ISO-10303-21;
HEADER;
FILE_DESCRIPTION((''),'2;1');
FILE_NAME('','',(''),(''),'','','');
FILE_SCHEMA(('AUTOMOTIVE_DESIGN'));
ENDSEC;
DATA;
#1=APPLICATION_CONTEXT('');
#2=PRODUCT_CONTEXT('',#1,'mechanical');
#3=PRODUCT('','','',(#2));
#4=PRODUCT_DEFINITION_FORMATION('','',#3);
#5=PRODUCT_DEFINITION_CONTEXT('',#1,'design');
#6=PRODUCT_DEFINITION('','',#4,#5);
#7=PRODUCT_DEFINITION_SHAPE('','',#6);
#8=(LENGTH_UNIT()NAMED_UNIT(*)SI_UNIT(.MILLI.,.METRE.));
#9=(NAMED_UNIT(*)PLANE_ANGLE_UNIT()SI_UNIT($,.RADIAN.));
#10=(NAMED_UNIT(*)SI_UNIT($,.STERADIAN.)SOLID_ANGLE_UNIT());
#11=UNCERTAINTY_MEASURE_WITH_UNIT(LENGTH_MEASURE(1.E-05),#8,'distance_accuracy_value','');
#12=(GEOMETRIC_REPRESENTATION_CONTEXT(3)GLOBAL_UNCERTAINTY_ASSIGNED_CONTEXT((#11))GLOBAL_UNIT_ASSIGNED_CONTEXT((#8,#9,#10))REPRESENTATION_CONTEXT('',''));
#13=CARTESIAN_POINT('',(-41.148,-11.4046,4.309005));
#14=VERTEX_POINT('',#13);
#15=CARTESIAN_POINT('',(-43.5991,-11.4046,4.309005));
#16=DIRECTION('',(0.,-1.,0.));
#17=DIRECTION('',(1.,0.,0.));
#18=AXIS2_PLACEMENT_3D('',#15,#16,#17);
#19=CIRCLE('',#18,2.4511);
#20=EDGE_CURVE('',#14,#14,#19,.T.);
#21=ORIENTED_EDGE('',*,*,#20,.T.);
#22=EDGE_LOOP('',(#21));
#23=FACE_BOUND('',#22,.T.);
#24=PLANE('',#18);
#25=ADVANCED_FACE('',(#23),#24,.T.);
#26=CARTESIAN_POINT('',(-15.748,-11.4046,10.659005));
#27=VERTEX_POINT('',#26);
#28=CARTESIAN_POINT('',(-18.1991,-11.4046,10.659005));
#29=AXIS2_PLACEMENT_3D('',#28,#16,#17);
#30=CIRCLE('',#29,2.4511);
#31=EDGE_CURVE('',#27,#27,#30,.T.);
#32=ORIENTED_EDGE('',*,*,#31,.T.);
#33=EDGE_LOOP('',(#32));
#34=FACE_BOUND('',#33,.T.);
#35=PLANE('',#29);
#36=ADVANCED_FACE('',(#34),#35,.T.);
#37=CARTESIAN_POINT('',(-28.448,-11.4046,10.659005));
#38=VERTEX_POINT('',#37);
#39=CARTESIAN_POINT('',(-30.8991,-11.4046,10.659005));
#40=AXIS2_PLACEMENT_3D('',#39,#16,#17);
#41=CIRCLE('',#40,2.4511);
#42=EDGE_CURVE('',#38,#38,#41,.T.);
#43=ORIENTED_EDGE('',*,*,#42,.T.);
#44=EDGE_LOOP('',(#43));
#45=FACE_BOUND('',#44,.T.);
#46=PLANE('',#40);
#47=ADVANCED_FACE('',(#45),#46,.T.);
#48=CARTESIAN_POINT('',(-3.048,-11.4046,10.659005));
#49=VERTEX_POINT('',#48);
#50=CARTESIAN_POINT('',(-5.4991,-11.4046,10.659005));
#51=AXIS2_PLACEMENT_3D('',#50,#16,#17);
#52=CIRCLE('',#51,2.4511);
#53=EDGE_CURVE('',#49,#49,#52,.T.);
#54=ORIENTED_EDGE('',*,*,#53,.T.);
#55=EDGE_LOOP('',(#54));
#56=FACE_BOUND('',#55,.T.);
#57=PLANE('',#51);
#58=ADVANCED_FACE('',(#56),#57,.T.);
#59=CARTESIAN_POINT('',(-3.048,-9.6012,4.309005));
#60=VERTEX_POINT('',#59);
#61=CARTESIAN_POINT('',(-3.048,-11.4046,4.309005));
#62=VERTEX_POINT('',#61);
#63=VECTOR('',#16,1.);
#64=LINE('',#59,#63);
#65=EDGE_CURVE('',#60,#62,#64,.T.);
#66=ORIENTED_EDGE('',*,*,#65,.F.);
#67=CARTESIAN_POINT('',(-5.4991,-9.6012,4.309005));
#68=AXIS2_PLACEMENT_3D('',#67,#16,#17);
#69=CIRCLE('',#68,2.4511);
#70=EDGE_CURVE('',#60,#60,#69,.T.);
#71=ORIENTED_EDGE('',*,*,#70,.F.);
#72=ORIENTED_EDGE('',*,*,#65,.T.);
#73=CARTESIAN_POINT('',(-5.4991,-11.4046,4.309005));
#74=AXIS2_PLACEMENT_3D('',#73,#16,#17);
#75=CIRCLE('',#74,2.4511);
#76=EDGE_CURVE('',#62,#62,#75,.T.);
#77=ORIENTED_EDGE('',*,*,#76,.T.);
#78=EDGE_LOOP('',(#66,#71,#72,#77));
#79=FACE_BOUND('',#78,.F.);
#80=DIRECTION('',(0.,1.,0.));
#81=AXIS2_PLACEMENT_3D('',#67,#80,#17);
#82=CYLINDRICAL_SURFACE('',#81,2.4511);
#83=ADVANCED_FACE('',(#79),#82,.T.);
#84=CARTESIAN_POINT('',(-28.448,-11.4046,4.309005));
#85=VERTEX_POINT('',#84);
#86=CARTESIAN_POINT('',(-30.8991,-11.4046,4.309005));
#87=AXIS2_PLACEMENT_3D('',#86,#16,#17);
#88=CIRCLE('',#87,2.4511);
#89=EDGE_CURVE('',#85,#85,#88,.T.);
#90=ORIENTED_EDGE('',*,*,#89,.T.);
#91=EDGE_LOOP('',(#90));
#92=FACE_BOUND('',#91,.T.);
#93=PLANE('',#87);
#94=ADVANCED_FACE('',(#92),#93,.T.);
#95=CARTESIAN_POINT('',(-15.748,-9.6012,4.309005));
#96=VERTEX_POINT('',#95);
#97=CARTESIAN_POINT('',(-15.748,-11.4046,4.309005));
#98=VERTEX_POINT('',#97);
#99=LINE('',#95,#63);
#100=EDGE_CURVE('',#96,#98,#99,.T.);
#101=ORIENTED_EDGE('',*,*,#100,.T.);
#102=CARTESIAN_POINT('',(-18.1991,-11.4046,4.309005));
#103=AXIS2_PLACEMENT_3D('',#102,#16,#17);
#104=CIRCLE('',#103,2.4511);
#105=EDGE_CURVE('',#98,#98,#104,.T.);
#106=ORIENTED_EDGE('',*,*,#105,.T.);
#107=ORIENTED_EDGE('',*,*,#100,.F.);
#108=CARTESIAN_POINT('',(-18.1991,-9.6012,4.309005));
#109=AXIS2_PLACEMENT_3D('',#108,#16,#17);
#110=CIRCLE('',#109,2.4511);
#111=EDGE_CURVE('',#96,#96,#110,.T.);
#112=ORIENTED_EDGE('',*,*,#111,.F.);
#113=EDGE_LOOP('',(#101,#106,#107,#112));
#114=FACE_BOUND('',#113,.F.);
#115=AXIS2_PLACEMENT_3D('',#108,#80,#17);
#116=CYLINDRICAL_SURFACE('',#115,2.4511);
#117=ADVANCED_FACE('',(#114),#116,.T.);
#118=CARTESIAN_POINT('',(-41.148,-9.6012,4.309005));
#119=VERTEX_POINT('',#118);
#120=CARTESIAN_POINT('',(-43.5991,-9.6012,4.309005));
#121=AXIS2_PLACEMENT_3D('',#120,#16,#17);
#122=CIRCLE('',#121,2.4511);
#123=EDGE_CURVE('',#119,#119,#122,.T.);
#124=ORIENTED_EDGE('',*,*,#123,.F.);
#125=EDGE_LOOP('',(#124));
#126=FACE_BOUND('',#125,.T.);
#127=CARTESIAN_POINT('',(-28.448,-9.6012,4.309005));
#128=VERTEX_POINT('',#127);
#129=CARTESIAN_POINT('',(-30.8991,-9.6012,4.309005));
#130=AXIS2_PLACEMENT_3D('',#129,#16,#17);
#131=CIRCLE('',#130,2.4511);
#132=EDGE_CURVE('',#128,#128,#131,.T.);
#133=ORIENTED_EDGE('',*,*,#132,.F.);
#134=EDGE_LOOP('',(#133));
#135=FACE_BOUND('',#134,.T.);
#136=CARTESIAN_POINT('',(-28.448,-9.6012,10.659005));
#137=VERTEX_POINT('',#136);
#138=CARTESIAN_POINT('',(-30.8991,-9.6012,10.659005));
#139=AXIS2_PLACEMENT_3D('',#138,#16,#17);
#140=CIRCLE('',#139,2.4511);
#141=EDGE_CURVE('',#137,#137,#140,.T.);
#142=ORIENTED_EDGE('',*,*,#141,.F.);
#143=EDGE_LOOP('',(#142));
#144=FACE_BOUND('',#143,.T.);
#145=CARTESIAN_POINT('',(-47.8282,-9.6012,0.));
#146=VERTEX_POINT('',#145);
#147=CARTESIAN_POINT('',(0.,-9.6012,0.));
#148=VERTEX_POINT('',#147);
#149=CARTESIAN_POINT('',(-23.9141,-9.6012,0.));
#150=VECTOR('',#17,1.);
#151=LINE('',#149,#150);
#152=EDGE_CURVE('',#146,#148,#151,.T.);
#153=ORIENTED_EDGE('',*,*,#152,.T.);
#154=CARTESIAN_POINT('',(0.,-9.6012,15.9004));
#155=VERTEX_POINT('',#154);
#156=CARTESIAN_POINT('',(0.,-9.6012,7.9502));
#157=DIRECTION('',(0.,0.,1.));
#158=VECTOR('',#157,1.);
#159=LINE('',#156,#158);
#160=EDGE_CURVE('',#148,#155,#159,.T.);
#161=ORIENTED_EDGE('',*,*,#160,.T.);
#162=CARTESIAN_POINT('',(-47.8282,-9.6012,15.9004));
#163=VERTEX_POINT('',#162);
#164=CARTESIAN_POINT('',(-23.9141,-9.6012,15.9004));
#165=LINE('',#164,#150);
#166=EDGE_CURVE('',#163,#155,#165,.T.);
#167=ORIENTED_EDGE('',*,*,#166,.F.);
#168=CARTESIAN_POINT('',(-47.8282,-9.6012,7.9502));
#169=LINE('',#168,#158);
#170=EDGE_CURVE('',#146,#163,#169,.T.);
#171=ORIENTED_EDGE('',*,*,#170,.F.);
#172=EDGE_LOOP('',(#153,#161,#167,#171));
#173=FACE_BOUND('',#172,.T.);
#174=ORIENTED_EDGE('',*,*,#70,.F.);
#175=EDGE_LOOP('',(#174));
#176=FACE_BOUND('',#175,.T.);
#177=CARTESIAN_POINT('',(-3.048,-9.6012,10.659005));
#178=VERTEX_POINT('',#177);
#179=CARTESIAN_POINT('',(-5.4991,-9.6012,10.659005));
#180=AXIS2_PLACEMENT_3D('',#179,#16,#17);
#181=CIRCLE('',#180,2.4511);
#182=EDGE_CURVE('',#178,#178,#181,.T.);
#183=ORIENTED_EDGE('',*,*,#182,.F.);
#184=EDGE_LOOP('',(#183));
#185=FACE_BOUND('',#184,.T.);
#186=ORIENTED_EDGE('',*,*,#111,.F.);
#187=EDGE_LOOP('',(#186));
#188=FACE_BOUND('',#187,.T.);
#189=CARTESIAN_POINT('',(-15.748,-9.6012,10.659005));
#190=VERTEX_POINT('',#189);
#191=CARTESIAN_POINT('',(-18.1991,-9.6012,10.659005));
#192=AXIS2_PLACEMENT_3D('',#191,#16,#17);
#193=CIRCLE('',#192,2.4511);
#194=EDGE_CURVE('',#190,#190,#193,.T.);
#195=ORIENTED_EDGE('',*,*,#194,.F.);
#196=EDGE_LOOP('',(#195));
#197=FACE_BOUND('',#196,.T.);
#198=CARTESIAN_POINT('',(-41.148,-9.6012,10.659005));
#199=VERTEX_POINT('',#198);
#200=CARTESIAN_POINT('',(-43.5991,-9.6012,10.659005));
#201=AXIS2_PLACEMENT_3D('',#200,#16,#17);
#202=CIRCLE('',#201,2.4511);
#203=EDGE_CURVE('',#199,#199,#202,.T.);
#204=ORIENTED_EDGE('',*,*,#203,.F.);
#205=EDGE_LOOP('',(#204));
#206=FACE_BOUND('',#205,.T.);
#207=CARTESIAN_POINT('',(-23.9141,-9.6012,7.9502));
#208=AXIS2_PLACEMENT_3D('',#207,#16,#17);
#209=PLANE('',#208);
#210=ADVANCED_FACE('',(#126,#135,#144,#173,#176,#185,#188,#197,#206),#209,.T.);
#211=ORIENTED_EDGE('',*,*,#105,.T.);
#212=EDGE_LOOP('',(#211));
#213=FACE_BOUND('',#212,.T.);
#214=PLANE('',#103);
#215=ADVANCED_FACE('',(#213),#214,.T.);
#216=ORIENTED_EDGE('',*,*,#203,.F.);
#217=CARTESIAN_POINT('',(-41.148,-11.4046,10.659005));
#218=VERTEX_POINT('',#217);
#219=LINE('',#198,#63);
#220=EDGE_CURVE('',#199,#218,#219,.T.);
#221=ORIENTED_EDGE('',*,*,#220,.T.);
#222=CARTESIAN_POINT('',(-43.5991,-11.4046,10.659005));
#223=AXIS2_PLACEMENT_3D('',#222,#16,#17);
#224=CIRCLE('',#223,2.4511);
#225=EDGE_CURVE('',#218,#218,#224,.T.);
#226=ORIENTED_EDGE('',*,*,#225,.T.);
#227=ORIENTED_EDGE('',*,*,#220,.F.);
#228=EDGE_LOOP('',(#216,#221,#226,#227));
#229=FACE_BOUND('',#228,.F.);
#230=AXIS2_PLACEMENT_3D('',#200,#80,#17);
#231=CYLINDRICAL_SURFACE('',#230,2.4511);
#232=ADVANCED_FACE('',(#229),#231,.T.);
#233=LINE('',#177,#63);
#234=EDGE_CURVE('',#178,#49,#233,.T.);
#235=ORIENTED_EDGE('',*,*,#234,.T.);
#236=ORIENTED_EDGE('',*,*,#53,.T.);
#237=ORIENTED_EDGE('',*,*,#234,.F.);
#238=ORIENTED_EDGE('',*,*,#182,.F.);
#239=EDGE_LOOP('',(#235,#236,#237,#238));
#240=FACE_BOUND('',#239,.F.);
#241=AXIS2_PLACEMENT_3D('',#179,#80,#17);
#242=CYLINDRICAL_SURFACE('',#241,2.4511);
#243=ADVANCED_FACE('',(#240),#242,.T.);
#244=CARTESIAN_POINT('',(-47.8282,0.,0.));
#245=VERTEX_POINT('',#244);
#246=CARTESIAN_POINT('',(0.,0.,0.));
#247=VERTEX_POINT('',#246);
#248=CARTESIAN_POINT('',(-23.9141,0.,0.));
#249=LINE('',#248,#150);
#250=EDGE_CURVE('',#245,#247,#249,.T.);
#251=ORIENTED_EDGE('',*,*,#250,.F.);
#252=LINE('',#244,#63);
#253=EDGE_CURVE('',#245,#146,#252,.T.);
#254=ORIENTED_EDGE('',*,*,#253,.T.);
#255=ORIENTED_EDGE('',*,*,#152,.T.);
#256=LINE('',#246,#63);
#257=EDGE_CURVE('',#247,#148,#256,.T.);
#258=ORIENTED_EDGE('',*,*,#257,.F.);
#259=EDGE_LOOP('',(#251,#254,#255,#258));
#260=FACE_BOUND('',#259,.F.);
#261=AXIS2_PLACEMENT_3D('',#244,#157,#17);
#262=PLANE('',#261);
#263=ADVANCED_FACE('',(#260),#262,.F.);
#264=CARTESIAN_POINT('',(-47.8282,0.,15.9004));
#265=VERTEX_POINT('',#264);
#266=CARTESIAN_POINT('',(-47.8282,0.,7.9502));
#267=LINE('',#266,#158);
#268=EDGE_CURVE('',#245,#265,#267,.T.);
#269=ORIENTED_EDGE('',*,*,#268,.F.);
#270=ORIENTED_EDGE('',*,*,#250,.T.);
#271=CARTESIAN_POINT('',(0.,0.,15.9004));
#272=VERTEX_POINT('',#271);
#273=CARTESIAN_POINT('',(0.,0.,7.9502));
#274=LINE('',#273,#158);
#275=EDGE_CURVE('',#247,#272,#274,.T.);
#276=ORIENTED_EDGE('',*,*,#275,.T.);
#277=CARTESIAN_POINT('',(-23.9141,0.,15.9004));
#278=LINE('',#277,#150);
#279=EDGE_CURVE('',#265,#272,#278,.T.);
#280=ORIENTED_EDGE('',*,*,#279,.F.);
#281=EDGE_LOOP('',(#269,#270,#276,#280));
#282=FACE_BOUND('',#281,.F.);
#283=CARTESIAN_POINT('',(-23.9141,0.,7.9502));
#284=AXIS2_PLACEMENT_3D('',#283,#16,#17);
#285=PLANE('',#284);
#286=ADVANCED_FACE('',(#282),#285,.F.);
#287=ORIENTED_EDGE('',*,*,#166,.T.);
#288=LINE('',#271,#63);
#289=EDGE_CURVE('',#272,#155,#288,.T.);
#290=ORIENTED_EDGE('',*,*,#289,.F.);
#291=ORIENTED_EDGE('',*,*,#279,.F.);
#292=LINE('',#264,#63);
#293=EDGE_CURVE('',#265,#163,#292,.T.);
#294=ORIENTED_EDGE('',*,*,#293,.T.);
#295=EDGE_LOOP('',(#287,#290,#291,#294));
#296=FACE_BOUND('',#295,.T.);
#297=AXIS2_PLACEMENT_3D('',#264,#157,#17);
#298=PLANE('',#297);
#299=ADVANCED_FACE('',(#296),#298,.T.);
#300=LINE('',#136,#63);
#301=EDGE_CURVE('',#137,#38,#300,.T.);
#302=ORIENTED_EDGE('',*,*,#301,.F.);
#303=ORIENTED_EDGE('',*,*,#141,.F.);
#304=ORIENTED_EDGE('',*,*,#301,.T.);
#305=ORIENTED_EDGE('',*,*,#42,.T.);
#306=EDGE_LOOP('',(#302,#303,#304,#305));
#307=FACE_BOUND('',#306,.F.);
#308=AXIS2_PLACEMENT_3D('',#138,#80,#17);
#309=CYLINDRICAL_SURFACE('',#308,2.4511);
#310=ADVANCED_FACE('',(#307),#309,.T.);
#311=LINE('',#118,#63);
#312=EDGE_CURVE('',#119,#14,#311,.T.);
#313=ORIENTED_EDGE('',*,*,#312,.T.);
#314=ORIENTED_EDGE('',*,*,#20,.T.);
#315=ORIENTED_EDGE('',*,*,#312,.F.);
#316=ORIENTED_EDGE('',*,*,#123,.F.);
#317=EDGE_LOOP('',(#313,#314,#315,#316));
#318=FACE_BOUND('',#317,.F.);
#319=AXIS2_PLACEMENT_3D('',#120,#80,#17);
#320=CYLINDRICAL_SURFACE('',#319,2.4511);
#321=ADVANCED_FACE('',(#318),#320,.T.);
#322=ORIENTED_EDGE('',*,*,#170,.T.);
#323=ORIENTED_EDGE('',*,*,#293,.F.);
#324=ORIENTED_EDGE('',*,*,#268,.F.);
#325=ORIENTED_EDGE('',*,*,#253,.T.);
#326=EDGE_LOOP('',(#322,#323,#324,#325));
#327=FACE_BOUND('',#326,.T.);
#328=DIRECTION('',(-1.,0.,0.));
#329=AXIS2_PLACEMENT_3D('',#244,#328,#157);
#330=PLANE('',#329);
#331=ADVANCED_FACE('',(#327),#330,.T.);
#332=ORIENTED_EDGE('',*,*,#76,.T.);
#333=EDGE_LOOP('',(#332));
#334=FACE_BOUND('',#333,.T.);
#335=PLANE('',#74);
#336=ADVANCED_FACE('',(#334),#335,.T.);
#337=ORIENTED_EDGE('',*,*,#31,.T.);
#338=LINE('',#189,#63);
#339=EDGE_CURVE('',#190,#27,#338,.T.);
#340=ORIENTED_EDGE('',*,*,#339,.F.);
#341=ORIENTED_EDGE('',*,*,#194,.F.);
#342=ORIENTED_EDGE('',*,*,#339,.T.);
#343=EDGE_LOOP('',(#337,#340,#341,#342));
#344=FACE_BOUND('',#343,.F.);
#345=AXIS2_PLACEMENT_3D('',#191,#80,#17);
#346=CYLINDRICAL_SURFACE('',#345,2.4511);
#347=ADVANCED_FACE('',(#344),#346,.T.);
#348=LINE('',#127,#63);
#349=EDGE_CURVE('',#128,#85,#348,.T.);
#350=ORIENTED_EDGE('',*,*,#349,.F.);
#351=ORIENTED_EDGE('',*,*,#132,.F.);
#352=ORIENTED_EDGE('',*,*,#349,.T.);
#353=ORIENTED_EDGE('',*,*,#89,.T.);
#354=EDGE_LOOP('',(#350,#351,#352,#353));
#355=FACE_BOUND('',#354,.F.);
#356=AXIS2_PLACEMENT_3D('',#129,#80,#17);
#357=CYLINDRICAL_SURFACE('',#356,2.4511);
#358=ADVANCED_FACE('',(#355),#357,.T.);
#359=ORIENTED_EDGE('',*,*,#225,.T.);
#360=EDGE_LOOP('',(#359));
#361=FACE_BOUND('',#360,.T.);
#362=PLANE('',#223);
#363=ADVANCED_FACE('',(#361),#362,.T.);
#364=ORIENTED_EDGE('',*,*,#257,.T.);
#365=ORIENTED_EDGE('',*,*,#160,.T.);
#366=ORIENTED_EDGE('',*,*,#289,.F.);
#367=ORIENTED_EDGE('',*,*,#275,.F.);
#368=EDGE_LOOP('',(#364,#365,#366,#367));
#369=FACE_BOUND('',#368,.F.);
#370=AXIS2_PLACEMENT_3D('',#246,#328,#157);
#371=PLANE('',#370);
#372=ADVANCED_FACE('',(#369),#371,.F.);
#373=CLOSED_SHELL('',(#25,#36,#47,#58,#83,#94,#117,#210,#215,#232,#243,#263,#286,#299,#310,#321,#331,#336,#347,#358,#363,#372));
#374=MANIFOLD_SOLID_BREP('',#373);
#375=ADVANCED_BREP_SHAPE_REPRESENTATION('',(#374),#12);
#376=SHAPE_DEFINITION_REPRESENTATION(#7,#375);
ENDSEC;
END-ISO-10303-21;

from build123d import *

# Parameters (mm, degrees)
F0_W     = 47.8282
F0_H     = 15.9004
F1_DEPTH = 9.6012
F2_R     = 2.4511
F3_DEPTH = 1.8034


with BuildPart() as f1:
    # F0 (on Front) → F1 (new body)
    with BuildSketch(Plane.XZ):
        with Locations((-23.9141, 7.9502)):
            Rectangle(F0_W, F0_H)
    extrude(amount=F1_DEPTH)

    # F2 (on face) → F3 (join)
    with BuildSketch(Plane.XZ.offset(9.6012)):
        with Locations((-5.4991, 10.659005)):
            Circle(F2_R)
        with Locations((-5.4991, 4.309005)):
            Circle(F2_R)
        with Locations((-18.1991, 10.659005)):
            Circle(F2_R)
        with Locations((-18.1991, 4.309005)):
            Circle(F2_R)
        with Locations((-30.8991, 10.659005)):
            Circle(F2_R)
        with Locations((-30.8991, 4.309005)):
            Circle(F2_R)
        with Locations((-43.5991, 10.659005)):
            Circle(F2_R)
        with Locations((-43.5991, 4.309005)):
            Circle(F2_R)
    extrude(amount=F3_DEPTH)


solid = f1.part
